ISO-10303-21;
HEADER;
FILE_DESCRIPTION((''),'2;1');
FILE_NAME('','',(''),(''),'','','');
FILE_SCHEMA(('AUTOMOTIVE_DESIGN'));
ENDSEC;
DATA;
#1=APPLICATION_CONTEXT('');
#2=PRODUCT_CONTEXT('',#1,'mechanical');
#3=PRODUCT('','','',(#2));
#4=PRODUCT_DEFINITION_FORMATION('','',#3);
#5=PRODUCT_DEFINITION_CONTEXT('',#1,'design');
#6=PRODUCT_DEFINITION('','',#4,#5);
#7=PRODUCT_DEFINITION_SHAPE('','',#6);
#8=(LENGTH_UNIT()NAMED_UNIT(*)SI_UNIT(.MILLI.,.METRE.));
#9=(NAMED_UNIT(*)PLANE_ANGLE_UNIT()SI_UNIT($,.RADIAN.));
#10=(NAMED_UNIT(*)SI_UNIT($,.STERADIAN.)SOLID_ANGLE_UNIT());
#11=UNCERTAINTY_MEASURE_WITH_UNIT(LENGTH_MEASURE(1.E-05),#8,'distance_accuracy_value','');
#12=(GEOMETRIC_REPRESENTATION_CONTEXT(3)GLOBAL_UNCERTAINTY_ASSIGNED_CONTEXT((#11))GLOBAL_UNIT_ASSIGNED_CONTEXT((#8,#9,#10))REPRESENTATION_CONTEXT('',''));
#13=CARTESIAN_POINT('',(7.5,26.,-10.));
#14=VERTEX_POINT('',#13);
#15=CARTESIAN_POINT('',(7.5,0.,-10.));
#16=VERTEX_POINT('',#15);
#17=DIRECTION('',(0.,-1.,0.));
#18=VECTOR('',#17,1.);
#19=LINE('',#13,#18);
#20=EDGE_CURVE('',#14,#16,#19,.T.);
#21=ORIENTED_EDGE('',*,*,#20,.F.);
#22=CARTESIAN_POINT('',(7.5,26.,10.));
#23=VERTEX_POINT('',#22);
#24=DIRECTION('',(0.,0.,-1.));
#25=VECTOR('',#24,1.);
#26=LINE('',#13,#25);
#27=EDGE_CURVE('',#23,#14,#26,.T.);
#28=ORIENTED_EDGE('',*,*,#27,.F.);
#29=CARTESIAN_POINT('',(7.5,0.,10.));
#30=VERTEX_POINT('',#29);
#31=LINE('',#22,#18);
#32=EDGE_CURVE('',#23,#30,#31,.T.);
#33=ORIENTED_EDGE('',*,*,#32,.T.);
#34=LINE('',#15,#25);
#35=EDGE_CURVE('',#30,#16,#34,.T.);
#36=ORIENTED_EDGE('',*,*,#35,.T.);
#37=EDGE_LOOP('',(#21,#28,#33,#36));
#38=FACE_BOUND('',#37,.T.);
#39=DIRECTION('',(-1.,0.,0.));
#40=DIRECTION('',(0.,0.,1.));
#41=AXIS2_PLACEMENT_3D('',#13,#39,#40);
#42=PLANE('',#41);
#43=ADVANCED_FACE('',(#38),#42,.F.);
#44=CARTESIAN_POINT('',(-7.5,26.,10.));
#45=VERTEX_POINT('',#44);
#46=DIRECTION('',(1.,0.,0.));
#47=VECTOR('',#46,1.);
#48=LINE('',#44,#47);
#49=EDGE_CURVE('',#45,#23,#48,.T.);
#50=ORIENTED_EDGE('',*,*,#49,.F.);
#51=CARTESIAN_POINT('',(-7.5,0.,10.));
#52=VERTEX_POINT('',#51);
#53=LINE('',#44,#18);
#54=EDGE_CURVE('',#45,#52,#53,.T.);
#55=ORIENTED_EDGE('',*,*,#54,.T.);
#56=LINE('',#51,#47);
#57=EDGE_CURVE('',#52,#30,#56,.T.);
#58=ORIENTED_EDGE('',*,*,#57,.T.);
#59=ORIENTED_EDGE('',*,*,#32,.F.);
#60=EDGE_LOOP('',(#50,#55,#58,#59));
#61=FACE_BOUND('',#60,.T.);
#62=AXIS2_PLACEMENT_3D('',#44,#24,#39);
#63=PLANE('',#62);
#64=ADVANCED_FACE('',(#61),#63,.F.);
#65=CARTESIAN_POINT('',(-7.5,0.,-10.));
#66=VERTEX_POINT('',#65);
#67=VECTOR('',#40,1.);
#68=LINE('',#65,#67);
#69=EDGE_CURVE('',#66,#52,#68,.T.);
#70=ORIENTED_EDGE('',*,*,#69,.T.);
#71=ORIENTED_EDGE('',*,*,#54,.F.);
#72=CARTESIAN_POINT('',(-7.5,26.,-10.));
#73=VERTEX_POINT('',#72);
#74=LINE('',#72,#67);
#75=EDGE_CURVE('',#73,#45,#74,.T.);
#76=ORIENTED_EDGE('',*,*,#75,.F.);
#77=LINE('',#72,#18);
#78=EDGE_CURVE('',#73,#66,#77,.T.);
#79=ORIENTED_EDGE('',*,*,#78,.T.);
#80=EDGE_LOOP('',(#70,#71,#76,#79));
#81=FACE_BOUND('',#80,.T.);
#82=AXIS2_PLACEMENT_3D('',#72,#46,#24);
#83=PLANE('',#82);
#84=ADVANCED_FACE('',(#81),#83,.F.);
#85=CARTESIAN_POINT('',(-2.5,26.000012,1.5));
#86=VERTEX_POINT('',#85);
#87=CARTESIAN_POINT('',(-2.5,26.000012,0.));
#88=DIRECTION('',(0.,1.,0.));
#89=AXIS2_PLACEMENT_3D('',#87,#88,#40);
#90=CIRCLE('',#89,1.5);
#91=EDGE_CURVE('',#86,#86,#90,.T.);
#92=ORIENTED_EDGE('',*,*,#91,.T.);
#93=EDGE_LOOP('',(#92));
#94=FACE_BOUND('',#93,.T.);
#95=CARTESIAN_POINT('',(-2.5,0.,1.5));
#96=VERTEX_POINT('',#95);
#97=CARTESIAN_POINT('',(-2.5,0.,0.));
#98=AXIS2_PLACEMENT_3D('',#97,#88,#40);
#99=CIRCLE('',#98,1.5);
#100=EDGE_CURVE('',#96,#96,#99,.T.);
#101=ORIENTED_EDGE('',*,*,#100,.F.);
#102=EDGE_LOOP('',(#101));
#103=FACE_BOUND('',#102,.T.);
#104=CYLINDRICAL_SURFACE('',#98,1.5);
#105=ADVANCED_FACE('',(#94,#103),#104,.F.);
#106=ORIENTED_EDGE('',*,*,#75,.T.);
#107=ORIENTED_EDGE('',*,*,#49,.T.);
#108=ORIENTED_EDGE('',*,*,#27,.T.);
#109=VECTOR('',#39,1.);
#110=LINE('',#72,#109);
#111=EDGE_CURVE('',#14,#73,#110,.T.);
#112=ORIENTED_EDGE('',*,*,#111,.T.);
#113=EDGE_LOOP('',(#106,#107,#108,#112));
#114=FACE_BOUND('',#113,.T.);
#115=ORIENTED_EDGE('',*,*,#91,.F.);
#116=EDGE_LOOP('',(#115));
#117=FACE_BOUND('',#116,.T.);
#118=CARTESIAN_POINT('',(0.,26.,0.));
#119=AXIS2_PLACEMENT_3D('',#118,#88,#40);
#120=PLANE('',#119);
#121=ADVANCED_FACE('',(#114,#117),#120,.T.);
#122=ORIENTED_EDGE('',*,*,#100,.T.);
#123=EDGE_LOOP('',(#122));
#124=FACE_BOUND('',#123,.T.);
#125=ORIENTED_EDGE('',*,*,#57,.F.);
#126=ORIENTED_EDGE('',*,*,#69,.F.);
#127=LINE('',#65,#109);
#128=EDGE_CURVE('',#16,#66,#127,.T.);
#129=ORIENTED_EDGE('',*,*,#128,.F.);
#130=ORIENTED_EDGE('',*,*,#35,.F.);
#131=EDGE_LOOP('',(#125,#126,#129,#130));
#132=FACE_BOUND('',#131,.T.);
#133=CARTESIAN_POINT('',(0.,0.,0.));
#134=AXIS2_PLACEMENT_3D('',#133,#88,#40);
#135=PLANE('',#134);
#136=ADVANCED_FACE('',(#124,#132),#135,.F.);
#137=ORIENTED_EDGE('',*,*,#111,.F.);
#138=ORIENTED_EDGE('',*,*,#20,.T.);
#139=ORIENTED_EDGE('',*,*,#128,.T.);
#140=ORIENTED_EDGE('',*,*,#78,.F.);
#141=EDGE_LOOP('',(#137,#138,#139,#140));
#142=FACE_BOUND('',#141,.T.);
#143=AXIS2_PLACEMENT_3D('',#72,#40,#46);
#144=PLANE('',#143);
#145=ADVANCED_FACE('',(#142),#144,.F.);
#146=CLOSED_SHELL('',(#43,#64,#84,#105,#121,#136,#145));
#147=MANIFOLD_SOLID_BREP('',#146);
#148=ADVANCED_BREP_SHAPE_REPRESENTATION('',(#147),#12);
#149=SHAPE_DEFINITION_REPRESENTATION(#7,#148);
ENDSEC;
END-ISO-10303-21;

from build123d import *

# Parameters (mm, degrees)
SKETCH_1_W               = 15
SKETCH_1_H               = 20
EXTRUDE_1_DEPTH          = 26
CUT_EXTRUDE_1_DEPTH      = 29.848743474
CUT_EXTRUDE_1_DEPTH_BACK = 29.848743474
SKETCH_3_R               = 1.5


with BuildPart() as part:
    # 草图1 → 凸台-拉伸1 (new body)
    with BuildSketch(Plane(origin=(0, 0, 0), x_dir=(1, 0, 0), z_dir=(0, 1, 0))):
        Rectangle(SKETCH_1_W, SKETCH_1_H)
    extrude(amount=EXTRUDE_1_DEPTH)

    # 草图3 → 切除-拉伸1 (cut, two sides: drawn at the far end of the back side and taken through both)
    with BuildSketch(Plane(origin=(0, 26, 0), x_dir=(1, 0, 0), z_dir=(0, 1, 0)).offset(-CUT_EXTRUDE_1_DEPTH_BACK)):
        with Locations(Location((-2.5, 0, 0), (0, 0, 270))):
            Circle(SKETCH_3_R)
    extrude(amount=CUT_EXTRUDE_1_DEPTH + CUT_EXTRUDE_1_DEPTH_BACK, mode=Mode.SUBTRACT)


solid = part.part
